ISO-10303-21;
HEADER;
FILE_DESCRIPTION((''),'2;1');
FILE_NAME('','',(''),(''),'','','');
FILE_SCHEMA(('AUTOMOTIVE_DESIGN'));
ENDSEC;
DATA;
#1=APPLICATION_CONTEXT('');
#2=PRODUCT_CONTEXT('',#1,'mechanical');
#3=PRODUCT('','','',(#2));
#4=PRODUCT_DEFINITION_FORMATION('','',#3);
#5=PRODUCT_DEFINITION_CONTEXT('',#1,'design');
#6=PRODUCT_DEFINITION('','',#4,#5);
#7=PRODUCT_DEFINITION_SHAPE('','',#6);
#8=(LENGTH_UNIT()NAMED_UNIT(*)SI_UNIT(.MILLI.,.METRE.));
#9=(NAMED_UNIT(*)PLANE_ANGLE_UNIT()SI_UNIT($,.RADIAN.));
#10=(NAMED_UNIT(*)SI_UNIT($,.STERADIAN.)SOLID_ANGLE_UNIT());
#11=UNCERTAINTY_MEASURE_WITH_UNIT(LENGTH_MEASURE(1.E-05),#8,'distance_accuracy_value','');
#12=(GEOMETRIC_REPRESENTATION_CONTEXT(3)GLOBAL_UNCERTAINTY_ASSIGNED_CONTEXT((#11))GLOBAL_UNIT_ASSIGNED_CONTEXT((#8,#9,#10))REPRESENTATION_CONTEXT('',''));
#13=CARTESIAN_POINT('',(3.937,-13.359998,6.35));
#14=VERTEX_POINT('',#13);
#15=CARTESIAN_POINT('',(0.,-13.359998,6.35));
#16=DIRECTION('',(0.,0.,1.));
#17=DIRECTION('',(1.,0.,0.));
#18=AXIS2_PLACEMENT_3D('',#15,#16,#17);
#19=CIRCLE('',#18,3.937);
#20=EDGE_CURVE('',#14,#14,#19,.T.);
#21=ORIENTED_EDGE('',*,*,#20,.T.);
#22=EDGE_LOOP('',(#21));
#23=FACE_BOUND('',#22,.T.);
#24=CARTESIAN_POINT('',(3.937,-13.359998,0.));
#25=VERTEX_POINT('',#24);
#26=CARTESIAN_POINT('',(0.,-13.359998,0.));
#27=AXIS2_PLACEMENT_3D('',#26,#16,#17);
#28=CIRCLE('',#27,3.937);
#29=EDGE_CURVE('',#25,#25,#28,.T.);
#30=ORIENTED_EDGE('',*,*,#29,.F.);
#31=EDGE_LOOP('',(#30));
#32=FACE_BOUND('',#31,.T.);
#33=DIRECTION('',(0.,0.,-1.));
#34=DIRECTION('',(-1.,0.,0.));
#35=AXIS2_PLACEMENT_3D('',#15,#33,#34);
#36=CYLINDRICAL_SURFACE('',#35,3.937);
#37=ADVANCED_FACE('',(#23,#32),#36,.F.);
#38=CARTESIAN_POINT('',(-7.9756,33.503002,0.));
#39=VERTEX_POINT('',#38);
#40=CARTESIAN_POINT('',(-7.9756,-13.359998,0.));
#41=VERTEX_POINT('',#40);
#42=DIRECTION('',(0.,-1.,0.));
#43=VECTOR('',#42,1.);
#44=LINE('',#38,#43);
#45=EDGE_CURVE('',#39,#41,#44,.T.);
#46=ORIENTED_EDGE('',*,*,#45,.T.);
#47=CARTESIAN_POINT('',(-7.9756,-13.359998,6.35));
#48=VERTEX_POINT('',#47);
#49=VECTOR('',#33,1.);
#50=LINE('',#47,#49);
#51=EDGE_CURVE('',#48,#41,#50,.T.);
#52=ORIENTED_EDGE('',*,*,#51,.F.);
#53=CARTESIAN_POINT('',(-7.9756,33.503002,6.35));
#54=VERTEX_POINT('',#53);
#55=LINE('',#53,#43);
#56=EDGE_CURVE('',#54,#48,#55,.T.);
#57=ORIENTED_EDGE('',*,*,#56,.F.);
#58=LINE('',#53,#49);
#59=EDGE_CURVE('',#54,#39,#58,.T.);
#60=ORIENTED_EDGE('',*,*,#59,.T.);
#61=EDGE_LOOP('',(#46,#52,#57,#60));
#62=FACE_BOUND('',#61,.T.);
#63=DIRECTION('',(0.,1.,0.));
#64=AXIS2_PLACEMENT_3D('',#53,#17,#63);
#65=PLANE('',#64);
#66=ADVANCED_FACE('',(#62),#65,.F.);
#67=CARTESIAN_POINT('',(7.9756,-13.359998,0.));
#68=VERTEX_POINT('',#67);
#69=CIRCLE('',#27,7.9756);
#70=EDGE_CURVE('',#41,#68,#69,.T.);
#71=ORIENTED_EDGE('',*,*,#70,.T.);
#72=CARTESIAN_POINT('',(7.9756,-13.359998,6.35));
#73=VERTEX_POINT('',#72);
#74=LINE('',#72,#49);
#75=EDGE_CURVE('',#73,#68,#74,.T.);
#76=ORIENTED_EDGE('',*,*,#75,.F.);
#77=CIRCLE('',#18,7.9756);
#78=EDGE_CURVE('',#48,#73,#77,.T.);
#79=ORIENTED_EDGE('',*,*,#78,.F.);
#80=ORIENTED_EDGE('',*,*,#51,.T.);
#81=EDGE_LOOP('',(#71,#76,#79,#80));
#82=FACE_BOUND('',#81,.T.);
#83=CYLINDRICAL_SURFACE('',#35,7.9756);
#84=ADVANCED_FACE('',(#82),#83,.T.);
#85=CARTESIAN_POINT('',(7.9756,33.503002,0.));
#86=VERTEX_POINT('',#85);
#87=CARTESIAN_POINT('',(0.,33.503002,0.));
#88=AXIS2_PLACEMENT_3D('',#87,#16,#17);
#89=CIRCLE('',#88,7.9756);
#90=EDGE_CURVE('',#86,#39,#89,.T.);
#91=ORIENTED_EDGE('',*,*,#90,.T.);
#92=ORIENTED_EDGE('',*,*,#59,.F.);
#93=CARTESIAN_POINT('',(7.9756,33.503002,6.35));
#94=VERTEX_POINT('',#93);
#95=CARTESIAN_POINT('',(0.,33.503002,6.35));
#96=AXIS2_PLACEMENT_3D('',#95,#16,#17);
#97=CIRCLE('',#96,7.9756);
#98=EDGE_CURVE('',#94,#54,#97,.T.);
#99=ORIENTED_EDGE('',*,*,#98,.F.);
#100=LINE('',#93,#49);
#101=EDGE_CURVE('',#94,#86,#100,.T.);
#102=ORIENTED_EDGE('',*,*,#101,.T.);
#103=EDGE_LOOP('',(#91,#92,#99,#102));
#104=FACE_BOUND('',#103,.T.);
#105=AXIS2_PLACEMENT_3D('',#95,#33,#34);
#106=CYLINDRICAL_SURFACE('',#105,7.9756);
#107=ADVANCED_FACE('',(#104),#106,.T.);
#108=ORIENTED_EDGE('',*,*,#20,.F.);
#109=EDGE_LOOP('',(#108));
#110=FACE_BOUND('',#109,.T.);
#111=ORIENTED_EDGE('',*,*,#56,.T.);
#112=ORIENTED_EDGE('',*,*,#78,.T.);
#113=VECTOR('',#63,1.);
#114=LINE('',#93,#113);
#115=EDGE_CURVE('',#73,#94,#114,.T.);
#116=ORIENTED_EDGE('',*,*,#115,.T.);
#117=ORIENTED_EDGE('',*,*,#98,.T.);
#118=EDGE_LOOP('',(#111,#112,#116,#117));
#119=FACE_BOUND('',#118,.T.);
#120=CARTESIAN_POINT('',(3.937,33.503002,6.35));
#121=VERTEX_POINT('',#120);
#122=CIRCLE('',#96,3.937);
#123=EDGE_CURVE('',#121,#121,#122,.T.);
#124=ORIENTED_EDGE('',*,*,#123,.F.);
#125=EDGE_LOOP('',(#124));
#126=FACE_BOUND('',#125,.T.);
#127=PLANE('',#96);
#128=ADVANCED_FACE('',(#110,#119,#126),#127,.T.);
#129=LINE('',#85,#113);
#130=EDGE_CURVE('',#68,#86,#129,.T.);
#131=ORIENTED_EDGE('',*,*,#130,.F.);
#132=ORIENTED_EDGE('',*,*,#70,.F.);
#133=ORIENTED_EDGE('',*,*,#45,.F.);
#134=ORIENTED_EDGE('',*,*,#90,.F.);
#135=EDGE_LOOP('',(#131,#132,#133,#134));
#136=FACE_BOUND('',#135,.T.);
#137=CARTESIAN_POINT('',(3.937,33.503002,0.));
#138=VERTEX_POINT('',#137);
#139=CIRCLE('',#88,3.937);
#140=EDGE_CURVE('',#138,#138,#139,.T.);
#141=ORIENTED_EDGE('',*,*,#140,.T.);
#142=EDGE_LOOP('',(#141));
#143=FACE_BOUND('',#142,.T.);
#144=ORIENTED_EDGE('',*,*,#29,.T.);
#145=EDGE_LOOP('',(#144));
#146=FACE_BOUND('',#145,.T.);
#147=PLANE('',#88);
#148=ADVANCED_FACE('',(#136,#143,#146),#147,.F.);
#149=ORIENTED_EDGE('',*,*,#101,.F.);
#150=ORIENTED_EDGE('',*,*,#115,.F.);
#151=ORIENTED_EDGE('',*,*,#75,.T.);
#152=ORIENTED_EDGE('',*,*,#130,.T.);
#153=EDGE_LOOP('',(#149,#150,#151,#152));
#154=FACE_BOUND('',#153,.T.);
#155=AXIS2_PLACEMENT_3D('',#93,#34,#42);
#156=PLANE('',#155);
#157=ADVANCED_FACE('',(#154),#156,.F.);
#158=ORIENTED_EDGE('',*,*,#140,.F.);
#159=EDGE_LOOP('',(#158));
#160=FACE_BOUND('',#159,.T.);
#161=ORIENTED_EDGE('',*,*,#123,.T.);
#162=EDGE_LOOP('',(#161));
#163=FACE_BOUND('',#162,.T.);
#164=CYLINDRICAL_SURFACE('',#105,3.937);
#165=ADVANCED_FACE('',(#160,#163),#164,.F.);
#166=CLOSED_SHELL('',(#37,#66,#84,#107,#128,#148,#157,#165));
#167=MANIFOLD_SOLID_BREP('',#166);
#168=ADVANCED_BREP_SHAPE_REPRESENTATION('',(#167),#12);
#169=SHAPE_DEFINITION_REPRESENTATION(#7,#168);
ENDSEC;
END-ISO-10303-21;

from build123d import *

# Parameters (mm, degrees)
SKETCH1_R           = 3.937
BOSS_EXTRUDE1_DEPTH = 6.35


with BuildPart() as part:
    # Sketch1 → Boss-Extrude1 (new body)
    with BuildSketch(Plane.XY):
        with BuildLine():
            Line((7.9756, 33.503002032), (7.9756, -13.359997968))
            ThreePointArc((7.9756, -13.359997968), (0, -21.335597968), (-7.9756, -13.359997968))
            Line((-7.9756, -13.359997968), (-7.9756, 33.503002032))
            ThreePointArc((-7.9756, 33.503002032), (0, 41.478602032), (7.9756, 33.503002032))
        make_face()
        with Locations((0, 33.503002032)):
            Circle(SKETCH1_R, mode=Mode.SUBTRACT)
        with Locations((0, -13.359997968)):
            Circle(SKETCH1_R, mode=Mode.SUBTRACT)
    extrude(amount=BOSS_EXTRUDE1_DEPTH)


solid = part.part
